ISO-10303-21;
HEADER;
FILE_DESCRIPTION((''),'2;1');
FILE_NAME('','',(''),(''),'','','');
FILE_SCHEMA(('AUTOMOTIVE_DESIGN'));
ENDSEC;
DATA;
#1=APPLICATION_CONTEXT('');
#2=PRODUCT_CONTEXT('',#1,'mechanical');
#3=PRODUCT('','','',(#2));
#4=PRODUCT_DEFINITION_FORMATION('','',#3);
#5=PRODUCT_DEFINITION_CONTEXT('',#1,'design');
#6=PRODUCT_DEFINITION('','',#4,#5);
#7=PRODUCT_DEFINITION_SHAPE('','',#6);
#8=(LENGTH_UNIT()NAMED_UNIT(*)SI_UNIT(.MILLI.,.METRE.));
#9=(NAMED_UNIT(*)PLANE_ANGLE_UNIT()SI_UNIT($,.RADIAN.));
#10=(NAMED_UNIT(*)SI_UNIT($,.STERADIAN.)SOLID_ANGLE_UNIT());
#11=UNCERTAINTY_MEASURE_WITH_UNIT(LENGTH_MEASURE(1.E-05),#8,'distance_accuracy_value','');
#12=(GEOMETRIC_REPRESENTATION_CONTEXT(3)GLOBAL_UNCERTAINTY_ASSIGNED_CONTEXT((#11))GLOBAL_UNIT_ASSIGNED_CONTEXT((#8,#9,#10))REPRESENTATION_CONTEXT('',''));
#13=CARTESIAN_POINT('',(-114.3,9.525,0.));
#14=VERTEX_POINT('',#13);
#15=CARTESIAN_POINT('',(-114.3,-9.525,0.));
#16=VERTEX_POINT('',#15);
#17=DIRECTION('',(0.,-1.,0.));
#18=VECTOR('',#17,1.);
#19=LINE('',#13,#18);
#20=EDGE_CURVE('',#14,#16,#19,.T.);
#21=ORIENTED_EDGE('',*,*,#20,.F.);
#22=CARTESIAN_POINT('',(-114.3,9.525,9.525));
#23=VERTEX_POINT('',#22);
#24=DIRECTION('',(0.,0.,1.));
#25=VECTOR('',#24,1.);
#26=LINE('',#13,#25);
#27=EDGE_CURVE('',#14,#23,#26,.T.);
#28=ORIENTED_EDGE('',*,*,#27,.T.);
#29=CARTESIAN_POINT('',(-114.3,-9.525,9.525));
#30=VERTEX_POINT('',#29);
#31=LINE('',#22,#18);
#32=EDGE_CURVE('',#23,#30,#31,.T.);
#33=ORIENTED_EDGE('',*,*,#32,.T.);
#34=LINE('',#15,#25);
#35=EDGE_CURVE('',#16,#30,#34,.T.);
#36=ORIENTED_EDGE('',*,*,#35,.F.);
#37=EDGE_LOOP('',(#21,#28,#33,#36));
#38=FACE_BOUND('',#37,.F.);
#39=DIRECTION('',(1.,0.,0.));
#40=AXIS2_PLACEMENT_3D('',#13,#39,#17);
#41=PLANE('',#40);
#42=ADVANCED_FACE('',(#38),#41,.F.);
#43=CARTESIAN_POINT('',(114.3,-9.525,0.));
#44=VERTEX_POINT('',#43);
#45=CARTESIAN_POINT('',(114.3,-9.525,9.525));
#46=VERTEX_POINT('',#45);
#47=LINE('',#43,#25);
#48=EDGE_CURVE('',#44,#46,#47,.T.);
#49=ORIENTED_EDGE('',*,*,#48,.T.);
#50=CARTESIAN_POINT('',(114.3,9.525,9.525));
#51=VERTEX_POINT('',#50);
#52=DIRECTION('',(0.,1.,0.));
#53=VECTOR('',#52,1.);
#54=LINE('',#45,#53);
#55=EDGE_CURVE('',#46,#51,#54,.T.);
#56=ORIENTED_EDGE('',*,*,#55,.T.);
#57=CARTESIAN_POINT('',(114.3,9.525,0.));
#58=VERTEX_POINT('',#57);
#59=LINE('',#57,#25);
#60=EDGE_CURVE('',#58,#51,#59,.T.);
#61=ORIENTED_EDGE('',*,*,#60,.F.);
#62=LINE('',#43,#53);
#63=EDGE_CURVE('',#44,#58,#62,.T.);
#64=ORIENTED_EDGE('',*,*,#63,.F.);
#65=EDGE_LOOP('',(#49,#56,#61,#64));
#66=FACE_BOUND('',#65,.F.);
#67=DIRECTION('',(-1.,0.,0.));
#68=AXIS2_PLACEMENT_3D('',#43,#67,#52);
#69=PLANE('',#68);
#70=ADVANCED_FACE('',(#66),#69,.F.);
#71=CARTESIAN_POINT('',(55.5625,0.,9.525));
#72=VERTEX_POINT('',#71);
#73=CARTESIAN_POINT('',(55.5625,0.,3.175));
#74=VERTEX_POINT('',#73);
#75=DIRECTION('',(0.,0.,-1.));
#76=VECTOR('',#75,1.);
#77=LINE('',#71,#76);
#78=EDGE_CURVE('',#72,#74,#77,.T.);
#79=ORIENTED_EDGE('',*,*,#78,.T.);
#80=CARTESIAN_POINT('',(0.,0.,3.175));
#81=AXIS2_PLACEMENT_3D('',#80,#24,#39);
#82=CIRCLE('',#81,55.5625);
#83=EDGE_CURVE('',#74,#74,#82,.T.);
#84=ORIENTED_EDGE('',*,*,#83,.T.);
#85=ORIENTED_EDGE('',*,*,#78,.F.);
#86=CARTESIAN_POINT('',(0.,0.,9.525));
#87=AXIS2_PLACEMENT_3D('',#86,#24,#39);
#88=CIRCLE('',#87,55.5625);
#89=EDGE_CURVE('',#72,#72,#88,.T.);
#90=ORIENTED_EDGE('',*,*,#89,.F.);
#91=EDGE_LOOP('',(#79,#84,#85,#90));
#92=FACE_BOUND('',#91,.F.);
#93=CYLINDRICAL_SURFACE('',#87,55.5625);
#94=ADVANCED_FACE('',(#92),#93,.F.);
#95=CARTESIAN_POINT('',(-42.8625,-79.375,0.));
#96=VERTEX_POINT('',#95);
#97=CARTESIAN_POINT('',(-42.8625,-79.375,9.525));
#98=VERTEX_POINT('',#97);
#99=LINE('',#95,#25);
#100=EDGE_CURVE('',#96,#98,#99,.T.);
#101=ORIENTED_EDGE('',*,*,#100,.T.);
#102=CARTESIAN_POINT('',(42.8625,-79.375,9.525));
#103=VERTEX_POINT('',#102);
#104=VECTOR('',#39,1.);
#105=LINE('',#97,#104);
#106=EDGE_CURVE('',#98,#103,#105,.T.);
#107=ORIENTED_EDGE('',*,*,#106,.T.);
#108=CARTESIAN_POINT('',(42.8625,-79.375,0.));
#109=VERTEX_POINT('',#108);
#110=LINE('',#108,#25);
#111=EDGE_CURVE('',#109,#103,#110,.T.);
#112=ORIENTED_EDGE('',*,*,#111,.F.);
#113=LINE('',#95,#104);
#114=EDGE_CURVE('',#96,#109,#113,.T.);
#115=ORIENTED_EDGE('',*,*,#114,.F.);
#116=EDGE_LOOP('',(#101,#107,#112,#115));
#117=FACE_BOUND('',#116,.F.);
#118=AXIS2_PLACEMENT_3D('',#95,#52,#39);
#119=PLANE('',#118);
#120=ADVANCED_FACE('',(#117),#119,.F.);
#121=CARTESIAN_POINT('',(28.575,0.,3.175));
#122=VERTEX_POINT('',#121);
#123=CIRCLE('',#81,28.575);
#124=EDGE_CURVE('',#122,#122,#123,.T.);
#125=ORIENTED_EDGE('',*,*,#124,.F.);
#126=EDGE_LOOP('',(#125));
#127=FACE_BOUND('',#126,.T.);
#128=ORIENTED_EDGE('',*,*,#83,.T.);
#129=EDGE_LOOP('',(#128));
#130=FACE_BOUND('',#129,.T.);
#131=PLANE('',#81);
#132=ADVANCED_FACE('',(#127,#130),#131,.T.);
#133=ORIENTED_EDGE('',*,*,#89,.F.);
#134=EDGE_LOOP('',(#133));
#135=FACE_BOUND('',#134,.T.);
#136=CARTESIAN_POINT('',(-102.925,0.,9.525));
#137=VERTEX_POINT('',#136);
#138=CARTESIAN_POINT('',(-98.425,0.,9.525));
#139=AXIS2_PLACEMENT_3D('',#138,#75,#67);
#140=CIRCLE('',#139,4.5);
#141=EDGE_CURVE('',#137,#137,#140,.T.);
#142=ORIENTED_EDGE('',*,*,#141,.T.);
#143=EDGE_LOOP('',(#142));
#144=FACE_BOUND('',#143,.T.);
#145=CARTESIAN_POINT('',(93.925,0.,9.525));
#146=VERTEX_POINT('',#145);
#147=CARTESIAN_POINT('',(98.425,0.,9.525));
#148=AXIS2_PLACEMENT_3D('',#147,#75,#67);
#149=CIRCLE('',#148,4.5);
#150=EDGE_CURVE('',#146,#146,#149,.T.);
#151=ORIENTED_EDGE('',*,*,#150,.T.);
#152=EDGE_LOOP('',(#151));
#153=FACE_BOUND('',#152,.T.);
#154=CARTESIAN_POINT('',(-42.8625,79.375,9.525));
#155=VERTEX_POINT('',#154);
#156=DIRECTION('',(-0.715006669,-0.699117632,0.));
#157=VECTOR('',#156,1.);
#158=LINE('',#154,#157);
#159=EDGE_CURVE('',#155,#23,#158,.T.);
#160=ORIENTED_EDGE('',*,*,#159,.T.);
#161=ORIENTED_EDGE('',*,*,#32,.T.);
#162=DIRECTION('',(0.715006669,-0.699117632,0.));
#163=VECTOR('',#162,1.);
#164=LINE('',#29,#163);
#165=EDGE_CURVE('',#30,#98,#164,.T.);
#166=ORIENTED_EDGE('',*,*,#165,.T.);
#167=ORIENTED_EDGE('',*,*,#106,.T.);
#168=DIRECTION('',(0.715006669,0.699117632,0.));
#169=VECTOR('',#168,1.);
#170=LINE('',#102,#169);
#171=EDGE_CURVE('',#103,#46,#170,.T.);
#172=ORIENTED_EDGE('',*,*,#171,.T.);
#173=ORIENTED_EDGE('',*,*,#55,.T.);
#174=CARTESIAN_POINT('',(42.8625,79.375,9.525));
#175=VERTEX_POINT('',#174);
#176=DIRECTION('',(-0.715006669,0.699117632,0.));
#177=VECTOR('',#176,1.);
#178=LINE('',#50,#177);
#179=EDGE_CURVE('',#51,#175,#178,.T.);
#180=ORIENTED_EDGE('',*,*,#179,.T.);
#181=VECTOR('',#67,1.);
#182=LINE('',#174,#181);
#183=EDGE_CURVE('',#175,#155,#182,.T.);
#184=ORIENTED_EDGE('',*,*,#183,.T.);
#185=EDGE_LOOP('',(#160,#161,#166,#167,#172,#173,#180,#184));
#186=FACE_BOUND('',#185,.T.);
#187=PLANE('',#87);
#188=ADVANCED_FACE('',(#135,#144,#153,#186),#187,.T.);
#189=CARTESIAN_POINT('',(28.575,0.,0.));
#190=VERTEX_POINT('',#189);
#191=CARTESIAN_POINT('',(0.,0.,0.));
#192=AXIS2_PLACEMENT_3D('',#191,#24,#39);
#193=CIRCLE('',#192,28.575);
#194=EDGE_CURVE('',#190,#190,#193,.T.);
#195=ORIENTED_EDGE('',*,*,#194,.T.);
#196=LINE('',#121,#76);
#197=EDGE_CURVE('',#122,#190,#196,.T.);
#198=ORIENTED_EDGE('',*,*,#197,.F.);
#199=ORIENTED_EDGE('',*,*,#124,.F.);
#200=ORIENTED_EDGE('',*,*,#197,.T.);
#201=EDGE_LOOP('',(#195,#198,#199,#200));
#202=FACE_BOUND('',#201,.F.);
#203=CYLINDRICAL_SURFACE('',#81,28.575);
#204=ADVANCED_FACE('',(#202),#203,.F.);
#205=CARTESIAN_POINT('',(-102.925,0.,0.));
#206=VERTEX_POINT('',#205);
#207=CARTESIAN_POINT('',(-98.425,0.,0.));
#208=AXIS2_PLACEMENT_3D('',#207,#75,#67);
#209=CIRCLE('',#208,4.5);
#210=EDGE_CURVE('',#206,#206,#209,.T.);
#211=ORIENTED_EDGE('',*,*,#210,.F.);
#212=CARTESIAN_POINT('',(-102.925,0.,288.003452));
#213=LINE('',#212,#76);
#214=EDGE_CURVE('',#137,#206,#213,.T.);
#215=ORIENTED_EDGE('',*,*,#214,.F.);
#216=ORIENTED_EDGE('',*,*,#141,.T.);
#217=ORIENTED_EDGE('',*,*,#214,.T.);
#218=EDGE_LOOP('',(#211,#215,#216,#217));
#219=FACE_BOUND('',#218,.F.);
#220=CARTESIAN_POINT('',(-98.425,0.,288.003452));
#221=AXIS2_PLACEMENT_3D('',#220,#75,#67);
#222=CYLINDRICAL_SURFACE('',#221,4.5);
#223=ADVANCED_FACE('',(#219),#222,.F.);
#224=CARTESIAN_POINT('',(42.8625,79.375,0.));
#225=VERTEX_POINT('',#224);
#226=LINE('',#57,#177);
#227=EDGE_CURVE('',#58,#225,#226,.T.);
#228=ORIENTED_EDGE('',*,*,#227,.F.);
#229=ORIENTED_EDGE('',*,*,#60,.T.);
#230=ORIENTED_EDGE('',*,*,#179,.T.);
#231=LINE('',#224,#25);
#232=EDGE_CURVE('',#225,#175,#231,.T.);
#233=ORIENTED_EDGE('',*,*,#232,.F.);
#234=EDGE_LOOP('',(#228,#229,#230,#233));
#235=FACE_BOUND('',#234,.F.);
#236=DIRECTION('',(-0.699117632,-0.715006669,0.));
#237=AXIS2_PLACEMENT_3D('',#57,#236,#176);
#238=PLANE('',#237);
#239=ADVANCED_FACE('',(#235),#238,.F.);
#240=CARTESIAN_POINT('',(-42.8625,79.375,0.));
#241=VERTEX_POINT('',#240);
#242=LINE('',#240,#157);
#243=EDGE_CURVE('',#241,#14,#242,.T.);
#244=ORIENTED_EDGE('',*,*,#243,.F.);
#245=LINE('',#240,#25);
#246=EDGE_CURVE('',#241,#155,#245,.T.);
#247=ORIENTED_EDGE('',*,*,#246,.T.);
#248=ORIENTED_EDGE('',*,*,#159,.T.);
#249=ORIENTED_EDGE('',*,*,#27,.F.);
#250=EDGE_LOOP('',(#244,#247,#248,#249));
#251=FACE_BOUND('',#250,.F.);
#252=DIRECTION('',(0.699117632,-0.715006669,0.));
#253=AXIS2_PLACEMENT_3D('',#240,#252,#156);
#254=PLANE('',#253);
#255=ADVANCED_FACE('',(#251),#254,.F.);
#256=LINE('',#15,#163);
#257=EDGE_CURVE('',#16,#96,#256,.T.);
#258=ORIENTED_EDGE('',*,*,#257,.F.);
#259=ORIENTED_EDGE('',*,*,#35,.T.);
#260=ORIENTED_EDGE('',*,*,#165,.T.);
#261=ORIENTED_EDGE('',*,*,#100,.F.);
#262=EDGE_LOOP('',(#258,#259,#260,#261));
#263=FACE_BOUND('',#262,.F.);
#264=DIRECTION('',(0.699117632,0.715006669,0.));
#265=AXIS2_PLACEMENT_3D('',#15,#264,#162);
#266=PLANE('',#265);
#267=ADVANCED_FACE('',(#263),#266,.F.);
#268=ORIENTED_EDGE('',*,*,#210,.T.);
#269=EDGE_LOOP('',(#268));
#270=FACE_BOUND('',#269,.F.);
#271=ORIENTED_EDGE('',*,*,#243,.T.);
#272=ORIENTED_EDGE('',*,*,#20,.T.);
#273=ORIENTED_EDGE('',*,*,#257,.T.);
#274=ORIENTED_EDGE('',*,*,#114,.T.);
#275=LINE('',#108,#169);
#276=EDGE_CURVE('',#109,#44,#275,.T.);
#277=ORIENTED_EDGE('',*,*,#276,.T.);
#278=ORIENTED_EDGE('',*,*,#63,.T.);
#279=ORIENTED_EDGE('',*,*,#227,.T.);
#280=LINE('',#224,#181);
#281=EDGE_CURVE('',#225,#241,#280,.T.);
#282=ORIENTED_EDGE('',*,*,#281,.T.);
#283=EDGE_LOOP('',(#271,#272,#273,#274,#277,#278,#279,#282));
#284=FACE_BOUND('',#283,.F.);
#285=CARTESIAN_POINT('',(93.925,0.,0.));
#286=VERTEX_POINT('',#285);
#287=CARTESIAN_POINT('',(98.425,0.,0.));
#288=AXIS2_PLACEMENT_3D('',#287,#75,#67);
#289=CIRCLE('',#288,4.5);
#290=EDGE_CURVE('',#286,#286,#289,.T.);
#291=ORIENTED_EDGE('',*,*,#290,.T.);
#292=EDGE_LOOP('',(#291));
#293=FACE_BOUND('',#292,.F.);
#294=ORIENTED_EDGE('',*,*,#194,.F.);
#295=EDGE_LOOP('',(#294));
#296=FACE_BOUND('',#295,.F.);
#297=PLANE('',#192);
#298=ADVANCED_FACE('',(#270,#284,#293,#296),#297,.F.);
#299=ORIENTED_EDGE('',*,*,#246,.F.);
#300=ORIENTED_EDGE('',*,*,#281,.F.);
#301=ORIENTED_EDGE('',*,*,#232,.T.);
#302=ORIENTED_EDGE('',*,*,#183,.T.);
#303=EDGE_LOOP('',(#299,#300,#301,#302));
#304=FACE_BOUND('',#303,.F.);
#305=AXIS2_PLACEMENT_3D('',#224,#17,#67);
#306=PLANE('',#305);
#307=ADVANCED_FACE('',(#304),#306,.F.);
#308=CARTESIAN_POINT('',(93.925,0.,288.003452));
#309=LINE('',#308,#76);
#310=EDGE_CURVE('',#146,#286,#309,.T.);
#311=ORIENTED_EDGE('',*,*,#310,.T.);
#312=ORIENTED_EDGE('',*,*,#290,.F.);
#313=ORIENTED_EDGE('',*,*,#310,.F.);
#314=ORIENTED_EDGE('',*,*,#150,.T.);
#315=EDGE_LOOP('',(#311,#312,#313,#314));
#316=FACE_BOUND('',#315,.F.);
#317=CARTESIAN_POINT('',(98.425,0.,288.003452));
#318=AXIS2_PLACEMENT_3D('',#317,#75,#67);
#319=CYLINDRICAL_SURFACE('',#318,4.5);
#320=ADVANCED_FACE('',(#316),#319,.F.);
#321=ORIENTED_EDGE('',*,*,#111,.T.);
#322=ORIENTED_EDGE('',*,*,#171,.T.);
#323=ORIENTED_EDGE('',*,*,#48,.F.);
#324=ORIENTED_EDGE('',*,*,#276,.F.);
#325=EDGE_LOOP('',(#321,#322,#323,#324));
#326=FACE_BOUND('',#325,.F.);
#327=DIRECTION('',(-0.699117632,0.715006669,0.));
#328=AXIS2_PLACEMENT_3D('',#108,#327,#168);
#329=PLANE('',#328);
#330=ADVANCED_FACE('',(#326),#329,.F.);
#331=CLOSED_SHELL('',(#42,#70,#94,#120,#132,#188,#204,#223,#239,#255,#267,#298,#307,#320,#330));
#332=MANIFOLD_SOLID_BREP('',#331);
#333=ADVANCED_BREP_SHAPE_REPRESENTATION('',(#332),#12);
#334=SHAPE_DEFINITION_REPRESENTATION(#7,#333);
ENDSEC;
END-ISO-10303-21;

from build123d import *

# Parameters (mm, degrees)
F1_DEPTH = 9.525
F2_R     = 55.5625
F3_DEPTH = 6.35
F5_D     = 9
F6_R     = 28.575
F7_DEPTH = 3.176


with BuildPart() as f1:
    # F0 (on Top) → F1 (new body)
    with BuildSketch(Plane.XY):
        Polygon((-42.8625, 79.375), (-114.3, 9.525), (-114.3, -9.525), (-42.8625, -79.375), (42.8625, -79.375), (114.3, -9.525), (114.3, 9.525), (42.8625, 79.375), align=None)
    extrude(amount=F1_DEPTH)

    # F2 (on face) → F3 (cut)
    with BuildSketch(Plane.XY.offset(9.525)):
        Circle(F2_R)
    extrude(amount=-F3_DEPTH, mode=Mode.SUBTRACT)

    # F5 (through all)
    with Locations(Plane.XY.offset(9.525)):
        with Locations((-98.425, 0), (98.425, 0)):
            Hole(F5_D / 2)

    # F6 (on face) → F7 (cut, through all)
    with BuildSketch(Plane.XY.offset(3.175)):
        Circle(F6_R)
    extrude(amount=-F7_DEPTH, mode=Mode.SUBTRACT)


solid = f1.part
